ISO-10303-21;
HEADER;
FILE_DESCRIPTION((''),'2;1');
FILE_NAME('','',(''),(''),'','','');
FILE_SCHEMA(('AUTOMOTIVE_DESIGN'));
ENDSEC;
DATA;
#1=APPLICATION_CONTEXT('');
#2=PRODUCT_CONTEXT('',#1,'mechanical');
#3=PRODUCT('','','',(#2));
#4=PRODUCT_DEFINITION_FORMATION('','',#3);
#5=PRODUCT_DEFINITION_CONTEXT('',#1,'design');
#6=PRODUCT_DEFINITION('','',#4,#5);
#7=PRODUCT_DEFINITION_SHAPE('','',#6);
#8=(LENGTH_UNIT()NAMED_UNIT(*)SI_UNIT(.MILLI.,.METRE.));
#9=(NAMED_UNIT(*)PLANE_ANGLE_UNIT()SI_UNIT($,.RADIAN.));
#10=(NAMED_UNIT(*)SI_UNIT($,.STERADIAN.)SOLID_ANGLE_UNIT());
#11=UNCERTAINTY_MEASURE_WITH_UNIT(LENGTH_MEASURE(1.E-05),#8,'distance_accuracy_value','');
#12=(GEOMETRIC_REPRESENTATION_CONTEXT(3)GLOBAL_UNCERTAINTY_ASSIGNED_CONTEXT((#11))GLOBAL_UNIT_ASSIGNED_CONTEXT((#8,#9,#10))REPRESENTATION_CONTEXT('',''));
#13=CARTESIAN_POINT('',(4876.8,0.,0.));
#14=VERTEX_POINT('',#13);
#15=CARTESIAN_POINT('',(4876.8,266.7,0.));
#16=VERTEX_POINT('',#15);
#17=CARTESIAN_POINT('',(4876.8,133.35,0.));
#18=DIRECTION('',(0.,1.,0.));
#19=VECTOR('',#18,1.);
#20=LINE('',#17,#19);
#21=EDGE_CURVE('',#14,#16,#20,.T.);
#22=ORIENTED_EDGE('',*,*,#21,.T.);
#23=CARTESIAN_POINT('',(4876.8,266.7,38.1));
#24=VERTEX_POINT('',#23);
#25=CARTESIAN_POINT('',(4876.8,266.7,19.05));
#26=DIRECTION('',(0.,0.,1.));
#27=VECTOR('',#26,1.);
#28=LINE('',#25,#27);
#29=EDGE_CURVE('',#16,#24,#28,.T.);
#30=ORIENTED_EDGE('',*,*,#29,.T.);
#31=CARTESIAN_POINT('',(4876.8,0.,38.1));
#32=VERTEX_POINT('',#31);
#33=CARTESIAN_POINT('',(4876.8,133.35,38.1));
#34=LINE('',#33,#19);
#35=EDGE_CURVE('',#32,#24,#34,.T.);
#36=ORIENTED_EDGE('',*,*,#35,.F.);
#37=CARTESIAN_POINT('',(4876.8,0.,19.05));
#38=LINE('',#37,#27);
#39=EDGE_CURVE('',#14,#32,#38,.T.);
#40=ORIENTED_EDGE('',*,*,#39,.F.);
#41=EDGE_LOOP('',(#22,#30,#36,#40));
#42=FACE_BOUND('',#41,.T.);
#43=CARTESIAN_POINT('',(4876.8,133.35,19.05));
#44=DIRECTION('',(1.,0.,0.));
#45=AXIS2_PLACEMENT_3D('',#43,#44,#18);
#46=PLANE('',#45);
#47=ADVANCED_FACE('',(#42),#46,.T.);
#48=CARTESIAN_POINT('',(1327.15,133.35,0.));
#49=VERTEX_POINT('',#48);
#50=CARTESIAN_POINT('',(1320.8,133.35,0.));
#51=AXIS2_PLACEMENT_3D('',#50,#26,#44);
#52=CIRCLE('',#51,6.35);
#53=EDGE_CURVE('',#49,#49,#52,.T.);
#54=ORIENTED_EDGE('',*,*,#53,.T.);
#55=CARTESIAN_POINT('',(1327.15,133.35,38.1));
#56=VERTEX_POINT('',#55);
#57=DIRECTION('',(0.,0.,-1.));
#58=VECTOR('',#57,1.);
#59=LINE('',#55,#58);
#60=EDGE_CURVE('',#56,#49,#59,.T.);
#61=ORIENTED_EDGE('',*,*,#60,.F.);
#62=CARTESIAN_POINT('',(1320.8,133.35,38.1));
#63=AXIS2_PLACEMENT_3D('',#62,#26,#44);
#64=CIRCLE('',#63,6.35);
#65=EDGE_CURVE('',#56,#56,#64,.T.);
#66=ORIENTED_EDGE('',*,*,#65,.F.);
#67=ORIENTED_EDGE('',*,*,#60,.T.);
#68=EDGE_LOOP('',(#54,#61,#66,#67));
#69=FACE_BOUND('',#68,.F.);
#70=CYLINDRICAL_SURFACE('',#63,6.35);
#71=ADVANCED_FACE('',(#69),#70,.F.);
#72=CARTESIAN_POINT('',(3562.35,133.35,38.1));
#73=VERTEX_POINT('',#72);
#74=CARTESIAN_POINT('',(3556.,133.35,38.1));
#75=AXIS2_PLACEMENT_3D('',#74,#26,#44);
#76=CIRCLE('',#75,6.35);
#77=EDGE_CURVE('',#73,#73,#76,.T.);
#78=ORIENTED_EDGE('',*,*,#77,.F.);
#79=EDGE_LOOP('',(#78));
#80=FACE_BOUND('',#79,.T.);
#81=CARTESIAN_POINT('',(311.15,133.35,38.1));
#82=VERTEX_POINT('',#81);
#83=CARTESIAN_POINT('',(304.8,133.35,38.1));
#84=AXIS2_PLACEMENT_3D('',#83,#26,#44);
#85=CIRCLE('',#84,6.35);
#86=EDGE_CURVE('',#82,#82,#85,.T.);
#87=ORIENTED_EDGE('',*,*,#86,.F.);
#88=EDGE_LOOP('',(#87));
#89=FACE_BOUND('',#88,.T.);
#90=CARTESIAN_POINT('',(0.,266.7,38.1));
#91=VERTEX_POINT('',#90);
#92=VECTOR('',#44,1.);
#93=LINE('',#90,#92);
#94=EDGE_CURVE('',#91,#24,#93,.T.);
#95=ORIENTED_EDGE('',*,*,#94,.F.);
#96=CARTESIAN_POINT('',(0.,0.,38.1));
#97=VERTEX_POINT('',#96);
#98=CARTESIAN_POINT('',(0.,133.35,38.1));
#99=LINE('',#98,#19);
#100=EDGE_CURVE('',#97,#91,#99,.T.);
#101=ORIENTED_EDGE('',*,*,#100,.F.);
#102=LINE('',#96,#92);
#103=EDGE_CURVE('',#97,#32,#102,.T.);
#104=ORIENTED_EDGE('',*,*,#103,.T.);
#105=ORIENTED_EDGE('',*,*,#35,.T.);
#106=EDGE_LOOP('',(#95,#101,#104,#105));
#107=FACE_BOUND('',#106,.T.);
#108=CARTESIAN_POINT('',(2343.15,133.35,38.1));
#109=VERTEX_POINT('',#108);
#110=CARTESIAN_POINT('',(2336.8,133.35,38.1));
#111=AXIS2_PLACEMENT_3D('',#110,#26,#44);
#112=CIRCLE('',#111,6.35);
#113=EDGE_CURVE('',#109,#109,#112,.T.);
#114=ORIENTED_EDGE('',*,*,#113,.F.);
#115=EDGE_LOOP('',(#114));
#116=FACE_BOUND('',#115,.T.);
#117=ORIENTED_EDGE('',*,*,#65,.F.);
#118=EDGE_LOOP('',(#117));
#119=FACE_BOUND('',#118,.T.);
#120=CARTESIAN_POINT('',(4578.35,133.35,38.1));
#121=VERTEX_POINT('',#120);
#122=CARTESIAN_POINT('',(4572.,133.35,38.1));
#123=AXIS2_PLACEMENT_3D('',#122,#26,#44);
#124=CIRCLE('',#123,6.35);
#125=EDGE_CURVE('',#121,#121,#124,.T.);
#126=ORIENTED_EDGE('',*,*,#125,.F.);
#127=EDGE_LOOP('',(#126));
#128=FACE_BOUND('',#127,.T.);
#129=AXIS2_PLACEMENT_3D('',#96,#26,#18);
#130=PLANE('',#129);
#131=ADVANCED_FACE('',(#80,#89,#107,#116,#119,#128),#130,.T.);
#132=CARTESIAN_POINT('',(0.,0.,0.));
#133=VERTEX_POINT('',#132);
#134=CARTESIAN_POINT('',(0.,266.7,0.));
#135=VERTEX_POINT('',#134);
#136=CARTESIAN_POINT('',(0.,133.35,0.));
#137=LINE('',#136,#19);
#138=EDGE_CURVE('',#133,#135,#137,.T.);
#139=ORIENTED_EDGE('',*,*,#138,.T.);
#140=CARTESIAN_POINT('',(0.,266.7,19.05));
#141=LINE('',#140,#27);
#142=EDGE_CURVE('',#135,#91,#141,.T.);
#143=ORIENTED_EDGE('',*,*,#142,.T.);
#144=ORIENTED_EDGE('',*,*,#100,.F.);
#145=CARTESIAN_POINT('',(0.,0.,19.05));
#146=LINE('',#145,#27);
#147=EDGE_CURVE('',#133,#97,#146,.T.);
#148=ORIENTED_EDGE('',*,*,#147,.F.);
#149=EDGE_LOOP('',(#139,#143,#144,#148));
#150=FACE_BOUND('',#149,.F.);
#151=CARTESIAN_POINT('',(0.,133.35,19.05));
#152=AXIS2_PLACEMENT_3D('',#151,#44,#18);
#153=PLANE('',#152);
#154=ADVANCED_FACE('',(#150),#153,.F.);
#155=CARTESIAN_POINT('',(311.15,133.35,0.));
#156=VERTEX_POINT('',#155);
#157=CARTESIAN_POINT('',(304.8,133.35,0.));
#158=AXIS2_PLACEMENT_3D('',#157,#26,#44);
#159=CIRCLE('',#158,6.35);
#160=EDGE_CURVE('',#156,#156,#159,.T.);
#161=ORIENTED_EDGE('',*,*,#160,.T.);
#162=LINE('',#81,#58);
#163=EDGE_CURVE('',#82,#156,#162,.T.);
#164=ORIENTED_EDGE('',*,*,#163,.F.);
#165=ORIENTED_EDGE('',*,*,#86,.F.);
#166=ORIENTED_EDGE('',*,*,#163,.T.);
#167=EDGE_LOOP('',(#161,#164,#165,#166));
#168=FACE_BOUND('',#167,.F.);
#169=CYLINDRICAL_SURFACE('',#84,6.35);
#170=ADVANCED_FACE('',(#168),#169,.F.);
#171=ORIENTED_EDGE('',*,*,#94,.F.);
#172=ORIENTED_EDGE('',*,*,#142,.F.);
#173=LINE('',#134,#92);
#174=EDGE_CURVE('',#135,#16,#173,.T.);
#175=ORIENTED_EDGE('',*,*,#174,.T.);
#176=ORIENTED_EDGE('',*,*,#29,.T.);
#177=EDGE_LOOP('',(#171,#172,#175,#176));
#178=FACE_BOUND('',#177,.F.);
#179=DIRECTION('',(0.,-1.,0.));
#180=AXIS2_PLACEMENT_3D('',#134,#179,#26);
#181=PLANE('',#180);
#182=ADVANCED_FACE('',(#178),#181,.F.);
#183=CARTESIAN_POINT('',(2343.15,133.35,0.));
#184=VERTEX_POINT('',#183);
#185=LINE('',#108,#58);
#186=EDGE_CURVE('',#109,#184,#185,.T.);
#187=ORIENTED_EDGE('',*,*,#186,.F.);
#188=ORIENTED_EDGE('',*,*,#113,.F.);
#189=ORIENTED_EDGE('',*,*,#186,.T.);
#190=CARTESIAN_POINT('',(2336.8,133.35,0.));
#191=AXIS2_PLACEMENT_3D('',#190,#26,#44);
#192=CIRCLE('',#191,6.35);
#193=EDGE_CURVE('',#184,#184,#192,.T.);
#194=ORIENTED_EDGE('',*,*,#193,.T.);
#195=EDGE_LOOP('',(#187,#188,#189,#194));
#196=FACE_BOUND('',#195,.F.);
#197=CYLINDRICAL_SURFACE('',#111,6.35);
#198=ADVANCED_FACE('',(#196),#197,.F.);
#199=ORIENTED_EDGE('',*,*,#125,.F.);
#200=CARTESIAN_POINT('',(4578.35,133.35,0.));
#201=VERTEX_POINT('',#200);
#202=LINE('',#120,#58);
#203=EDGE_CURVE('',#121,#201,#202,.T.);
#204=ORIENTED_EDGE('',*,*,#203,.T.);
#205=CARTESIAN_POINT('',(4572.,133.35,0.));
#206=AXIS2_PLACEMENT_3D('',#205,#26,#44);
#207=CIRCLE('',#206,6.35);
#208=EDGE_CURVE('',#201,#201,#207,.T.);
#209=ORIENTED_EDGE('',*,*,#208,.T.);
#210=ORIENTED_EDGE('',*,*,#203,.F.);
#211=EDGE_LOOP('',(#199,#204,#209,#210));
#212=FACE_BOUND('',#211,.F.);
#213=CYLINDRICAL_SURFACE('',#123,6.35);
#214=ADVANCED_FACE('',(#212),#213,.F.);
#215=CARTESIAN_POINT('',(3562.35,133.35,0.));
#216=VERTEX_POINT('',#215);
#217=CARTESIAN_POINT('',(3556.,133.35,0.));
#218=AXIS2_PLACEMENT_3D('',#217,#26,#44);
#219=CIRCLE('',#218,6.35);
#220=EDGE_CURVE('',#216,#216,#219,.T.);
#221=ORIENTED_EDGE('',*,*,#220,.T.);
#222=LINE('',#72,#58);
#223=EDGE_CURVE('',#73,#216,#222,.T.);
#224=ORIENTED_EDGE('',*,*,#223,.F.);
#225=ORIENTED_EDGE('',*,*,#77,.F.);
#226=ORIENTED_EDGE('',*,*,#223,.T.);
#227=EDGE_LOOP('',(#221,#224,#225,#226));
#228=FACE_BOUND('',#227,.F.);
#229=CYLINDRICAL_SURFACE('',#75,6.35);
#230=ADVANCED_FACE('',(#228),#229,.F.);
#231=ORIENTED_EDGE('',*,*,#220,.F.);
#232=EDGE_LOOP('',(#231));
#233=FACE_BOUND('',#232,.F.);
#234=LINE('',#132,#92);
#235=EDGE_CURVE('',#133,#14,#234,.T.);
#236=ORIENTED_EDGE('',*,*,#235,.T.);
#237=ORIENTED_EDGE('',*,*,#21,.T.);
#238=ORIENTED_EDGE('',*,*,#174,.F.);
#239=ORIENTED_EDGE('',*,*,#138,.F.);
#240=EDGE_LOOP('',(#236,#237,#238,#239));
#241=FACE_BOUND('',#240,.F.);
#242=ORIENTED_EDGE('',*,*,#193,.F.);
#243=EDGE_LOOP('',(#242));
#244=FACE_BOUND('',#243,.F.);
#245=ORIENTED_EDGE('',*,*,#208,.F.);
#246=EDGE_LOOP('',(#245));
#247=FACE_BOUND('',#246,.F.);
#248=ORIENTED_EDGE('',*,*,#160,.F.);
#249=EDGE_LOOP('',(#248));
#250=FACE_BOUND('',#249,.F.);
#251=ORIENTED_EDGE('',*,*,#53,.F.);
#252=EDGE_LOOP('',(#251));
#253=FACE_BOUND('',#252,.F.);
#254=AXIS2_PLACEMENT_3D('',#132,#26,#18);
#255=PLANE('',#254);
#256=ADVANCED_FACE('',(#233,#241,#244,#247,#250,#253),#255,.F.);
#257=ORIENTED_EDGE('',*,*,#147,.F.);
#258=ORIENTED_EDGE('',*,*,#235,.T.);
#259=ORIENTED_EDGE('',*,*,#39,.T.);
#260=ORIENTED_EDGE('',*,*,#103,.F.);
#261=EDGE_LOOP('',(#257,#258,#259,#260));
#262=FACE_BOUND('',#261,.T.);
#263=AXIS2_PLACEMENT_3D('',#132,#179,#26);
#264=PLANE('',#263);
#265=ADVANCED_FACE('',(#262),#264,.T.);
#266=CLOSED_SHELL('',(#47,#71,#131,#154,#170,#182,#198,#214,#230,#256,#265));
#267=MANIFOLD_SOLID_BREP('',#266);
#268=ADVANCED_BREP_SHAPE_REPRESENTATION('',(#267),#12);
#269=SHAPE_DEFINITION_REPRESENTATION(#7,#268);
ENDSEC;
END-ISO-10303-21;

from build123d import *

# Parameters (mm, degrees)
F0_W     = 266.7
F0_H     = 38.1
F1_DEPTH = 4876.8
F2_R     = 6.35
F3_DEPTH = 38.1


with BuildPart() as f1:
    # F0 (on Right) → F1 (new body)
    with BuildSketch(Plane.YZ):
        with Locations((133.35, 19.05)):
            Rectangle(F0_W, F0_H)
    extrude(amount=F1_DEPTH)

    # F2 (on face) → F3 (cut, through all)
    with BuildSketch(Plane.XY.offset(38.1)):
        with Locations((304.8, 133.35)):
            Circle(F2_R)
        with Locations((2336.8, 133.35)):
            Circle(F2_R)
        with Locations((1320.8, 133.35)):
            Circle(F2_R)
        with Locations((3556, 133.35)):
            Circle(F2_R)
        with Locations((4572, 133.35)):
            Circle(F2_R)
    extrude(amount=-F3_DEPTH, mode=Mode.SUBTRACT)


solid = f1.part
